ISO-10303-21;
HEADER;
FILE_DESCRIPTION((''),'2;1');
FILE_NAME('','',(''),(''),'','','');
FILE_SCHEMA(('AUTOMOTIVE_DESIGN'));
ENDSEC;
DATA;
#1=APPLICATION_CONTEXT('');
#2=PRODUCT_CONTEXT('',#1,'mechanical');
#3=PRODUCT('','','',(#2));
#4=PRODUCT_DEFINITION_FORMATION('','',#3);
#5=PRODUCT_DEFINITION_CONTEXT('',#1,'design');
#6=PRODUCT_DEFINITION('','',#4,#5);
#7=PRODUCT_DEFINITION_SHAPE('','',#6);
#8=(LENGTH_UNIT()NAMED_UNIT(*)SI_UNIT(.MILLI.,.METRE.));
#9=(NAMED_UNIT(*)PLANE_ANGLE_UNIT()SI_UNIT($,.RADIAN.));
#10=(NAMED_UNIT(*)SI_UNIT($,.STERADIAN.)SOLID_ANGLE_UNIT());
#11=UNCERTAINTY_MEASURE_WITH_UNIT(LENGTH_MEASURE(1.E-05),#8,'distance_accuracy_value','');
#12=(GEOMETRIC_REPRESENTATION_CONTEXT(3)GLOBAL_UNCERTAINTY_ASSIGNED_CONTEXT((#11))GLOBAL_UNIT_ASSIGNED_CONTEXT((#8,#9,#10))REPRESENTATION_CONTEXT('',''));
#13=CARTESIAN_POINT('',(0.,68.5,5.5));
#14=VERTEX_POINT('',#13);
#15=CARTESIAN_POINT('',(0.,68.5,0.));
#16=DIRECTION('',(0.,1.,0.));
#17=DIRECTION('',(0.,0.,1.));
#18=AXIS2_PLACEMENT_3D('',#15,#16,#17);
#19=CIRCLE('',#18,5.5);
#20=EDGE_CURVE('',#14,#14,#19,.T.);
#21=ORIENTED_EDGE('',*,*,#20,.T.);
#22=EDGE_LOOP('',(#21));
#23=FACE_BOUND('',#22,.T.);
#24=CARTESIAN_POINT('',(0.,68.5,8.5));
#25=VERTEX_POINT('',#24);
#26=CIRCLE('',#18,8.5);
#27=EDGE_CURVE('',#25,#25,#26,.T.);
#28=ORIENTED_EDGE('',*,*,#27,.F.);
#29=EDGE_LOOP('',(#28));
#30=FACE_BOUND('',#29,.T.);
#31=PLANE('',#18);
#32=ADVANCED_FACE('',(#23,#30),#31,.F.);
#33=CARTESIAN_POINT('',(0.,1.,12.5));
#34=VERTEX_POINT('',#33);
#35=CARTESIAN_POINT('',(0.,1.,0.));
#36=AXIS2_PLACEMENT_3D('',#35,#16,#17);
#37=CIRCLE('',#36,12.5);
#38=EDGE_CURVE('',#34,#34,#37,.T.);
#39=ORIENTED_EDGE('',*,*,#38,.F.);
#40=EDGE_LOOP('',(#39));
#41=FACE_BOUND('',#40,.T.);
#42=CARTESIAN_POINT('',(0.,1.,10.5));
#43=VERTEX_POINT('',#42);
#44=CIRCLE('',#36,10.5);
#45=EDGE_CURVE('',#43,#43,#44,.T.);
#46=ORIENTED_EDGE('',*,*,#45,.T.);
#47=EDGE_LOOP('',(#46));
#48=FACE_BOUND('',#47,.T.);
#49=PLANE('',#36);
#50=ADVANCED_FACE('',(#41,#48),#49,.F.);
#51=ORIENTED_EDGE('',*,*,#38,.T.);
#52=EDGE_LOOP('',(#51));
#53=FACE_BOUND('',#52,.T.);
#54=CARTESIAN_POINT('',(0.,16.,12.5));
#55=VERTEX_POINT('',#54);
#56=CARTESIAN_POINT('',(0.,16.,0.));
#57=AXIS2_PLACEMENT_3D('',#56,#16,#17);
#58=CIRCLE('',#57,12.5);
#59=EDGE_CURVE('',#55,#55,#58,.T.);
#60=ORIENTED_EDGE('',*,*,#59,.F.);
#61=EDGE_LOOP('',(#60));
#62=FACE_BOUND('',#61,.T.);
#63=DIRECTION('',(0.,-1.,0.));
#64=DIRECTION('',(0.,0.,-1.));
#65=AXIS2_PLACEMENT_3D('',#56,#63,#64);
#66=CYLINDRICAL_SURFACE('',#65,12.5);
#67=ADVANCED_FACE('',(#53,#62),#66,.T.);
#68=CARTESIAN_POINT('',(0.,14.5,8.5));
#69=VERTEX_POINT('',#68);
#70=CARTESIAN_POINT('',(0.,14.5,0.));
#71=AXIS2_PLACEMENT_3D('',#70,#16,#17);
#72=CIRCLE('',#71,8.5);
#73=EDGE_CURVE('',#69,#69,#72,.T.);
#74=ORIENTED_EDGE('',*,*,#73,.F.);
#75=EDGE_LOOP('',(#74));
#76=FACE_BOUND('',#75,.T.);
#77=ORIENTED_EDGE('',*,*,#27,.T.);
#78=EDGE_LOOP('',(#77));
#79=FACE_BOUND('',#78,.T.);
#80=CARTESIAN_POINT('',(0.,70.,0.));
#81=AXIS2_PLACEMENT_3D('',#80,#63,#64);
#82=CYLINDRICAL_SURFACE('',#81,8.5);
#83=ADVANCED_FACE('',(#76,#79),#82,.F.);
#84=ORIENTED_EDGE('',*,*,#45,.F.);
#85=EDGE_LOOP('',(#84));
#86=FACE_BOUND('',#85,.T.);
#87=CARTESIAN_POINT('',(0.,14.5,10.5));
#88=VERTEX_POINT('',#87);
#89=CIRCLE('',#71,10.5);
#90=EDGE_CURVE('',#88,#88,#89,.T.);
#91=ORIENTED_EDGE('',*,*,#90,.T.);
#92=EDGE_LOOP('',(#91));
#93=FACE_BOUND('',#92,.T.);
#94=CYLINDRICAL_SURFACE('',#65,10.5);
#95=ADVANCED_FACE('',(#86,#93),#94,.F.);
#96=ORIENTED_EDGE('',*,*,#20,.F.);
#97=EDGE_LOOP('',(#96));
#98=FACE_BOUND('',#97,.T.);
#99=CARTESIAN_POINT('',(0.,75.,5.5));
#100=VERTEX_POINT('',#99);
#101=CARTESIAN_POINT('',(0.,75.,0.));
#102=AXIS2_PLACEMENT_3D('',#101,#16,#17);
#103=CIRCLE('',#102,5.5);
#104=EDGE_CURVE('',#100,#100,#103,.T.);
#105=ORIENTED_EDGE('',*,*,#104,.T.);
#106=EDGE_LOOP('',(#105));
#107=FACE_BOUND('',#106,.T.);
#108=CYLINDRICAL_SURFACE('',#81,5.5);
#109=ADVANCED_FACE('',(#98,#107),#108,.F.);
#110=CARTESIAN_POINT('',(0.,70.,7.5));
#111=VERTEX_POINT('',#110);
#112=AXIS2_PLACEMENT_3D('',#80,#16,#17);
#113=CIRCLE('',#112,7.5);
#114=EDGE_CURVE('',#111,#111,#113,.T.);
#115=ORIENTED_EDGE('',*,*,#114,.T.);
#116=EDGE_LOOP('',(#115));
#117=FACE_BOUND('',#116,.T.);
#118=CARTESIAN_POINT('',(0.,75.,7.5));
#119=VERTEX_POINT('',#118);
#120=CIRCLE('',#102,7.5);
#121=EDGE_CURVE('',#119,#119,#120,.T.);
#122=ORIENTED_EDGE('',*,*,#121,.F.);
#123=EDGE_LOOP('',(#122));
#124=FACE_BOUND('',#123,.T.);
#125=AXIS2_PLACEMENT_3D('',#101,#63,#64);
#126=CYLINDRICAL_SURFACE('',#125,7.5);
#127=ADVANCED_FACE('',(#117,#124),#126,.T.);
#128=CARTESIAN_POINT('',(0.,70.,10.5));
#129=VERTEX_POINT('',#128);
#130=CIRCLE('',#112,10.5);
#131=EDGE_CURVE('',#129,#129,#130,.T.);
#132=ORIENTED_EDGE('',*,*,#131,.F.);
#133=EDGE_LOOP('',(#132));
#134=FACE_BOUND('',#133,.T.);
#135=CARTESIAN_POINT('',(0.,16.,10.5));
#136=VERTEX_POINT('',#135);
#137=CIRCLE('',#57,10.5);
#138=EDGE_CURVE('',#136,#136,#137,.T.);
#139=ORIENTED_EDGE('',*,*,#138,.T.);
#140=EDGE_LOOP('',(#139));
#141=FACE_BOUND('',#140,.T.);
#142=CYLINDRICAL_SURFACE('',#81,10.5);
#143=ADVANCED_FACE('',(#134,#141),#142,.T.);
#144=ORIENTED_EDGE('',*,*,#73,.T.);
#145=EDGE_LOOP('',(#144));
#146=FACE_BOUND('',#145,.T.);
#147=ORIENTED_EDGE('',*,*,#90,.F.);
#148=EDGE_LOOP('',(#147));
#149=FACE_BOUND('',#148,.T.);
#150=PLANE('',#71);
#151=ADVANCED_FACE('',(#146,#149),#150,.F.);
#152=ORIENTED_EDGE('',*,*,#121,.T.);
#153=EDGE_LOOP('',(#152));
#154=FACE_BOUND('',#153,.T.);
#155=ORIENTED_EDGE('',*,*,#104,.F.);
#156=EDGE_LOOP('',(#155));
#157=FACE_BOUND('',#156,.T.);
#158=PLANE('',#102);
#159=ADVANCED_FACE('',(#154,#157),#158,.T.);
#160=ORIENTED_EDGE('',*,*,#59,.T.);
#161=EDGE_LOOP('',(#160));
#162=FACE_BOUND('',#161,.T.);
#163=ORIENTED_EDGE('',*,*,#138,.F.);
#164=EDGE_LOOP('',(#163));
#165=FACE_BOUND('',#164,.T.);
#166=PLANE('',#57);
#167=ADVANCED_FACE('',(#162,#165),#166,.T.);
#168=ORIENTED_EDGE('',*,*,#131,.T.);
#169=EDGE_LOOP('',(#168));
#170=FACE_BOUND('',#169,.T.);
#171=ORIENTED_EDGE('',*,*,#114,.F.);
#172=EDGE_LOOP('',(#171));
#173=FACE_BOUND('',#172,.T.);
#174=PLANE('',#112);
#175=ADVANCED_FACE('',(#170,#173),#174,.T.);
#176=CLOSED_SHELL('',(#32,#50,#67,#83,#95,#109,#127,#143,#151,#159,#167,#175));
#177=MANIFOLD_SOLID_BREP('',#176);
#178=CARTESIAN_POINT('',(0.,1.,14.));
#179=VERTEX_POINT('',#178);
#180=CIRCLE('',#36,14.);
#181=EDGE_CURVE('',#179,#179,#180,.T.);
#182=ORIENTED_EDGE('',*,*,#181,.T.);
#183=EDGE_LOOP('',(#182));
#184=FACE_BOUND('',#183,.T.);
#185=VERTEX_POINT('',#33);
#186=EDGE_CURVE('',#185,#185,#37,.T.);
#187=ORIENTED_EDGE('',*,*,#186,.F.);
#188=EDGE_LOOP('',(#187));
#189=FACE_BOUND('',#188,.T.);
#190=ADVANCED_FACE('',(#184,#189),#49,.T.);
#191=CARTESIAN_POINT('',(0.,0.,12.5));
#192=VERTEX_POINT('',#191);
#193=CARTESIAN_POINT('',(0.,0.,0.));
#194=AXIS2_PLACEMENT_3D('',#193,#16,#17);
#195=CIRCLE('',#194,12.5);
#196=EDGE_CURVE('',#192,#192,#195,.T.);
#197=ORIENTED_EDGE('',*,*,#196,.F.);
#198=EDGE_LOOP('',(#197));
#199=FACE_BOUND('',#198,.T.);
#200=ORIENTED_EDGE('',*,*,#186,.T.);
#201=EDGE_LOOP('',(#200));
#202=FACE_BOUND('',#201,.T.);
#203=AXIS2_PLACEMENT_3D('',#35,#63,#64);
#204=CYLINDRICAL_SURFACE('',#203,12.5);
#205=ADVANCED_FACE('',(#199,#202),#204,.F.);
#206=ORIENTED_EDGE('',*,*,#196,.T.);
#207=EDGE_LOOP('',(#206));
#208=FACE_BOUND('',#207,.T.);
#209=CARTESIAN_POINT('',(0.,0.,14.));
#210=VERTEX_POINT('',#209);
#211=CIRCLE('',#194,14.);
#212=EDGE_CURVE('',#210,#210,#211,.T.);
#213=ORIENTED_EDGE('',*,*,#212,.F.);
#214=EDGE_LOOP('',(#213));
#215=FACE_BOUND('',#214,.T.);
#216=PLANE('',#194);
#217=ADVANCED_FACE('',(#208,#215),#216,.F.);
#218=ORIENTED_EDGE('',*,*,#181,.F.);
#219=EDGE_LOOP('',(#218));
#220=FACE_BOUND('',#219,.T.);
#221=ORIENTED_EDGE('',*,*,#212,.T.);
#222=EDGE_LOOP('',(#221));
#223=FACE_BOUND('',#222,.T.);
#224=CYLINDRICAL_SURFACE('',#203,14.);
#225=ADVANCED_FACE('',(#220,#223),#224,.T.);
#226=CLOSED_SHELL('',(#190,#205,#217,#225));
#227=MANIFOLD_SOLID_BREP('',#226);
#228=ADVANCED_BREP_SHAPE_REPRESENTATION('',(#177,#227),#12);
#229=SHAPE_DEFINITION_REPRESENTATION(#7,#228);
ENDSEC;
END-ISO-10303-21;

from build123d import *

# Parameters (mm, degrees)
SKETCH1_R      = 14
SKETCH1_R_2    = 12.5
EXTRUDE1_DEPTH = 1
SKETCH2_R      = 12.5
SKETCH2_R_2    = 10.5
EXTRUDE2_DEPTH = 15
SKETCH4_R      = 10.5
SKETCH4_R_2    = 8.5
EXTRUDE3_DEPTH = 55.5
SKETCH7_R      = 8.5
SKETCH7_R_2    = 5.5
EXTRUDE6_DEPTH = 1.5
SKETCH8_R      = 7.5
SKETCH8_R_2    = 5.5
EXTRUDE7_DEPTH = 5


with BuildPart() as part:
    # Sketch1 → Extrude1 (new body)
    with BuildSketch(Plane(origin=(0, 0, 0), x_dir=(1, 0, 0), z_dir=(0, 1, 0))):
        Circle(SKETCH1_R)
        Circle(SKETCH1_R_2, mode=Mode.SUBTRACT)
    extrude(amount=EXTRUDE1_DEPTH)


with BuildPart() as body_2:
    # Sketch2 → Extrude2 (new body)
    with BuildSketch(Plane(origin=(0, 1, 0), x_dir=(-1, 0, 0), z_dir=(0, 1, 0))):
        Circle(SKETCH2_R)
        Circle(SKETCH2_R_2, mode=Mode.SUBTRACT)
    extrude(amount=EXTRUDE2_DEPTH)

    # Sketch4 → Extrude3 (add)
    with BuildSketch(Plane(origin=(0, 14.5, 0), x_dir=(-1, 0, 0), z_dir=(0, 1, 0))):
        Circle(SKETCH4_R)
        Circle(SKETCH4_R_2, mode=Mode.SUBTRACT)
    extrude(amount=EXTRUDE3_DEPTH)

    # Sketch7 → Extrude6 (add)
    with BuildSketch(Plane(origin=(0, 68.5, 0), x_dir=(-1, 0, 0), z_dir=(0, 1, 0))):
        Circle(SKETCH7_R)
        Circle(SKETCH7_R_2, mode=Mode.SUBTRACT)
    extrude(amount=EXTRUDE6_DEPTH)

    # Sketch8 → Extrude7 (add)
    with BuildSketch(Plane(origin=(0, 70, 0), x_dir=(-1, 0, 0), z_dir=(0, 1, 0))):
        Circle(SKETCH8_R)
        Circle(SKETCH8_R_2, mode=Mode.SUBTRACT)
    extrude(amount=EXTRUDE7_DEPTH)


solid = Compound([part.part, body_2.part])
